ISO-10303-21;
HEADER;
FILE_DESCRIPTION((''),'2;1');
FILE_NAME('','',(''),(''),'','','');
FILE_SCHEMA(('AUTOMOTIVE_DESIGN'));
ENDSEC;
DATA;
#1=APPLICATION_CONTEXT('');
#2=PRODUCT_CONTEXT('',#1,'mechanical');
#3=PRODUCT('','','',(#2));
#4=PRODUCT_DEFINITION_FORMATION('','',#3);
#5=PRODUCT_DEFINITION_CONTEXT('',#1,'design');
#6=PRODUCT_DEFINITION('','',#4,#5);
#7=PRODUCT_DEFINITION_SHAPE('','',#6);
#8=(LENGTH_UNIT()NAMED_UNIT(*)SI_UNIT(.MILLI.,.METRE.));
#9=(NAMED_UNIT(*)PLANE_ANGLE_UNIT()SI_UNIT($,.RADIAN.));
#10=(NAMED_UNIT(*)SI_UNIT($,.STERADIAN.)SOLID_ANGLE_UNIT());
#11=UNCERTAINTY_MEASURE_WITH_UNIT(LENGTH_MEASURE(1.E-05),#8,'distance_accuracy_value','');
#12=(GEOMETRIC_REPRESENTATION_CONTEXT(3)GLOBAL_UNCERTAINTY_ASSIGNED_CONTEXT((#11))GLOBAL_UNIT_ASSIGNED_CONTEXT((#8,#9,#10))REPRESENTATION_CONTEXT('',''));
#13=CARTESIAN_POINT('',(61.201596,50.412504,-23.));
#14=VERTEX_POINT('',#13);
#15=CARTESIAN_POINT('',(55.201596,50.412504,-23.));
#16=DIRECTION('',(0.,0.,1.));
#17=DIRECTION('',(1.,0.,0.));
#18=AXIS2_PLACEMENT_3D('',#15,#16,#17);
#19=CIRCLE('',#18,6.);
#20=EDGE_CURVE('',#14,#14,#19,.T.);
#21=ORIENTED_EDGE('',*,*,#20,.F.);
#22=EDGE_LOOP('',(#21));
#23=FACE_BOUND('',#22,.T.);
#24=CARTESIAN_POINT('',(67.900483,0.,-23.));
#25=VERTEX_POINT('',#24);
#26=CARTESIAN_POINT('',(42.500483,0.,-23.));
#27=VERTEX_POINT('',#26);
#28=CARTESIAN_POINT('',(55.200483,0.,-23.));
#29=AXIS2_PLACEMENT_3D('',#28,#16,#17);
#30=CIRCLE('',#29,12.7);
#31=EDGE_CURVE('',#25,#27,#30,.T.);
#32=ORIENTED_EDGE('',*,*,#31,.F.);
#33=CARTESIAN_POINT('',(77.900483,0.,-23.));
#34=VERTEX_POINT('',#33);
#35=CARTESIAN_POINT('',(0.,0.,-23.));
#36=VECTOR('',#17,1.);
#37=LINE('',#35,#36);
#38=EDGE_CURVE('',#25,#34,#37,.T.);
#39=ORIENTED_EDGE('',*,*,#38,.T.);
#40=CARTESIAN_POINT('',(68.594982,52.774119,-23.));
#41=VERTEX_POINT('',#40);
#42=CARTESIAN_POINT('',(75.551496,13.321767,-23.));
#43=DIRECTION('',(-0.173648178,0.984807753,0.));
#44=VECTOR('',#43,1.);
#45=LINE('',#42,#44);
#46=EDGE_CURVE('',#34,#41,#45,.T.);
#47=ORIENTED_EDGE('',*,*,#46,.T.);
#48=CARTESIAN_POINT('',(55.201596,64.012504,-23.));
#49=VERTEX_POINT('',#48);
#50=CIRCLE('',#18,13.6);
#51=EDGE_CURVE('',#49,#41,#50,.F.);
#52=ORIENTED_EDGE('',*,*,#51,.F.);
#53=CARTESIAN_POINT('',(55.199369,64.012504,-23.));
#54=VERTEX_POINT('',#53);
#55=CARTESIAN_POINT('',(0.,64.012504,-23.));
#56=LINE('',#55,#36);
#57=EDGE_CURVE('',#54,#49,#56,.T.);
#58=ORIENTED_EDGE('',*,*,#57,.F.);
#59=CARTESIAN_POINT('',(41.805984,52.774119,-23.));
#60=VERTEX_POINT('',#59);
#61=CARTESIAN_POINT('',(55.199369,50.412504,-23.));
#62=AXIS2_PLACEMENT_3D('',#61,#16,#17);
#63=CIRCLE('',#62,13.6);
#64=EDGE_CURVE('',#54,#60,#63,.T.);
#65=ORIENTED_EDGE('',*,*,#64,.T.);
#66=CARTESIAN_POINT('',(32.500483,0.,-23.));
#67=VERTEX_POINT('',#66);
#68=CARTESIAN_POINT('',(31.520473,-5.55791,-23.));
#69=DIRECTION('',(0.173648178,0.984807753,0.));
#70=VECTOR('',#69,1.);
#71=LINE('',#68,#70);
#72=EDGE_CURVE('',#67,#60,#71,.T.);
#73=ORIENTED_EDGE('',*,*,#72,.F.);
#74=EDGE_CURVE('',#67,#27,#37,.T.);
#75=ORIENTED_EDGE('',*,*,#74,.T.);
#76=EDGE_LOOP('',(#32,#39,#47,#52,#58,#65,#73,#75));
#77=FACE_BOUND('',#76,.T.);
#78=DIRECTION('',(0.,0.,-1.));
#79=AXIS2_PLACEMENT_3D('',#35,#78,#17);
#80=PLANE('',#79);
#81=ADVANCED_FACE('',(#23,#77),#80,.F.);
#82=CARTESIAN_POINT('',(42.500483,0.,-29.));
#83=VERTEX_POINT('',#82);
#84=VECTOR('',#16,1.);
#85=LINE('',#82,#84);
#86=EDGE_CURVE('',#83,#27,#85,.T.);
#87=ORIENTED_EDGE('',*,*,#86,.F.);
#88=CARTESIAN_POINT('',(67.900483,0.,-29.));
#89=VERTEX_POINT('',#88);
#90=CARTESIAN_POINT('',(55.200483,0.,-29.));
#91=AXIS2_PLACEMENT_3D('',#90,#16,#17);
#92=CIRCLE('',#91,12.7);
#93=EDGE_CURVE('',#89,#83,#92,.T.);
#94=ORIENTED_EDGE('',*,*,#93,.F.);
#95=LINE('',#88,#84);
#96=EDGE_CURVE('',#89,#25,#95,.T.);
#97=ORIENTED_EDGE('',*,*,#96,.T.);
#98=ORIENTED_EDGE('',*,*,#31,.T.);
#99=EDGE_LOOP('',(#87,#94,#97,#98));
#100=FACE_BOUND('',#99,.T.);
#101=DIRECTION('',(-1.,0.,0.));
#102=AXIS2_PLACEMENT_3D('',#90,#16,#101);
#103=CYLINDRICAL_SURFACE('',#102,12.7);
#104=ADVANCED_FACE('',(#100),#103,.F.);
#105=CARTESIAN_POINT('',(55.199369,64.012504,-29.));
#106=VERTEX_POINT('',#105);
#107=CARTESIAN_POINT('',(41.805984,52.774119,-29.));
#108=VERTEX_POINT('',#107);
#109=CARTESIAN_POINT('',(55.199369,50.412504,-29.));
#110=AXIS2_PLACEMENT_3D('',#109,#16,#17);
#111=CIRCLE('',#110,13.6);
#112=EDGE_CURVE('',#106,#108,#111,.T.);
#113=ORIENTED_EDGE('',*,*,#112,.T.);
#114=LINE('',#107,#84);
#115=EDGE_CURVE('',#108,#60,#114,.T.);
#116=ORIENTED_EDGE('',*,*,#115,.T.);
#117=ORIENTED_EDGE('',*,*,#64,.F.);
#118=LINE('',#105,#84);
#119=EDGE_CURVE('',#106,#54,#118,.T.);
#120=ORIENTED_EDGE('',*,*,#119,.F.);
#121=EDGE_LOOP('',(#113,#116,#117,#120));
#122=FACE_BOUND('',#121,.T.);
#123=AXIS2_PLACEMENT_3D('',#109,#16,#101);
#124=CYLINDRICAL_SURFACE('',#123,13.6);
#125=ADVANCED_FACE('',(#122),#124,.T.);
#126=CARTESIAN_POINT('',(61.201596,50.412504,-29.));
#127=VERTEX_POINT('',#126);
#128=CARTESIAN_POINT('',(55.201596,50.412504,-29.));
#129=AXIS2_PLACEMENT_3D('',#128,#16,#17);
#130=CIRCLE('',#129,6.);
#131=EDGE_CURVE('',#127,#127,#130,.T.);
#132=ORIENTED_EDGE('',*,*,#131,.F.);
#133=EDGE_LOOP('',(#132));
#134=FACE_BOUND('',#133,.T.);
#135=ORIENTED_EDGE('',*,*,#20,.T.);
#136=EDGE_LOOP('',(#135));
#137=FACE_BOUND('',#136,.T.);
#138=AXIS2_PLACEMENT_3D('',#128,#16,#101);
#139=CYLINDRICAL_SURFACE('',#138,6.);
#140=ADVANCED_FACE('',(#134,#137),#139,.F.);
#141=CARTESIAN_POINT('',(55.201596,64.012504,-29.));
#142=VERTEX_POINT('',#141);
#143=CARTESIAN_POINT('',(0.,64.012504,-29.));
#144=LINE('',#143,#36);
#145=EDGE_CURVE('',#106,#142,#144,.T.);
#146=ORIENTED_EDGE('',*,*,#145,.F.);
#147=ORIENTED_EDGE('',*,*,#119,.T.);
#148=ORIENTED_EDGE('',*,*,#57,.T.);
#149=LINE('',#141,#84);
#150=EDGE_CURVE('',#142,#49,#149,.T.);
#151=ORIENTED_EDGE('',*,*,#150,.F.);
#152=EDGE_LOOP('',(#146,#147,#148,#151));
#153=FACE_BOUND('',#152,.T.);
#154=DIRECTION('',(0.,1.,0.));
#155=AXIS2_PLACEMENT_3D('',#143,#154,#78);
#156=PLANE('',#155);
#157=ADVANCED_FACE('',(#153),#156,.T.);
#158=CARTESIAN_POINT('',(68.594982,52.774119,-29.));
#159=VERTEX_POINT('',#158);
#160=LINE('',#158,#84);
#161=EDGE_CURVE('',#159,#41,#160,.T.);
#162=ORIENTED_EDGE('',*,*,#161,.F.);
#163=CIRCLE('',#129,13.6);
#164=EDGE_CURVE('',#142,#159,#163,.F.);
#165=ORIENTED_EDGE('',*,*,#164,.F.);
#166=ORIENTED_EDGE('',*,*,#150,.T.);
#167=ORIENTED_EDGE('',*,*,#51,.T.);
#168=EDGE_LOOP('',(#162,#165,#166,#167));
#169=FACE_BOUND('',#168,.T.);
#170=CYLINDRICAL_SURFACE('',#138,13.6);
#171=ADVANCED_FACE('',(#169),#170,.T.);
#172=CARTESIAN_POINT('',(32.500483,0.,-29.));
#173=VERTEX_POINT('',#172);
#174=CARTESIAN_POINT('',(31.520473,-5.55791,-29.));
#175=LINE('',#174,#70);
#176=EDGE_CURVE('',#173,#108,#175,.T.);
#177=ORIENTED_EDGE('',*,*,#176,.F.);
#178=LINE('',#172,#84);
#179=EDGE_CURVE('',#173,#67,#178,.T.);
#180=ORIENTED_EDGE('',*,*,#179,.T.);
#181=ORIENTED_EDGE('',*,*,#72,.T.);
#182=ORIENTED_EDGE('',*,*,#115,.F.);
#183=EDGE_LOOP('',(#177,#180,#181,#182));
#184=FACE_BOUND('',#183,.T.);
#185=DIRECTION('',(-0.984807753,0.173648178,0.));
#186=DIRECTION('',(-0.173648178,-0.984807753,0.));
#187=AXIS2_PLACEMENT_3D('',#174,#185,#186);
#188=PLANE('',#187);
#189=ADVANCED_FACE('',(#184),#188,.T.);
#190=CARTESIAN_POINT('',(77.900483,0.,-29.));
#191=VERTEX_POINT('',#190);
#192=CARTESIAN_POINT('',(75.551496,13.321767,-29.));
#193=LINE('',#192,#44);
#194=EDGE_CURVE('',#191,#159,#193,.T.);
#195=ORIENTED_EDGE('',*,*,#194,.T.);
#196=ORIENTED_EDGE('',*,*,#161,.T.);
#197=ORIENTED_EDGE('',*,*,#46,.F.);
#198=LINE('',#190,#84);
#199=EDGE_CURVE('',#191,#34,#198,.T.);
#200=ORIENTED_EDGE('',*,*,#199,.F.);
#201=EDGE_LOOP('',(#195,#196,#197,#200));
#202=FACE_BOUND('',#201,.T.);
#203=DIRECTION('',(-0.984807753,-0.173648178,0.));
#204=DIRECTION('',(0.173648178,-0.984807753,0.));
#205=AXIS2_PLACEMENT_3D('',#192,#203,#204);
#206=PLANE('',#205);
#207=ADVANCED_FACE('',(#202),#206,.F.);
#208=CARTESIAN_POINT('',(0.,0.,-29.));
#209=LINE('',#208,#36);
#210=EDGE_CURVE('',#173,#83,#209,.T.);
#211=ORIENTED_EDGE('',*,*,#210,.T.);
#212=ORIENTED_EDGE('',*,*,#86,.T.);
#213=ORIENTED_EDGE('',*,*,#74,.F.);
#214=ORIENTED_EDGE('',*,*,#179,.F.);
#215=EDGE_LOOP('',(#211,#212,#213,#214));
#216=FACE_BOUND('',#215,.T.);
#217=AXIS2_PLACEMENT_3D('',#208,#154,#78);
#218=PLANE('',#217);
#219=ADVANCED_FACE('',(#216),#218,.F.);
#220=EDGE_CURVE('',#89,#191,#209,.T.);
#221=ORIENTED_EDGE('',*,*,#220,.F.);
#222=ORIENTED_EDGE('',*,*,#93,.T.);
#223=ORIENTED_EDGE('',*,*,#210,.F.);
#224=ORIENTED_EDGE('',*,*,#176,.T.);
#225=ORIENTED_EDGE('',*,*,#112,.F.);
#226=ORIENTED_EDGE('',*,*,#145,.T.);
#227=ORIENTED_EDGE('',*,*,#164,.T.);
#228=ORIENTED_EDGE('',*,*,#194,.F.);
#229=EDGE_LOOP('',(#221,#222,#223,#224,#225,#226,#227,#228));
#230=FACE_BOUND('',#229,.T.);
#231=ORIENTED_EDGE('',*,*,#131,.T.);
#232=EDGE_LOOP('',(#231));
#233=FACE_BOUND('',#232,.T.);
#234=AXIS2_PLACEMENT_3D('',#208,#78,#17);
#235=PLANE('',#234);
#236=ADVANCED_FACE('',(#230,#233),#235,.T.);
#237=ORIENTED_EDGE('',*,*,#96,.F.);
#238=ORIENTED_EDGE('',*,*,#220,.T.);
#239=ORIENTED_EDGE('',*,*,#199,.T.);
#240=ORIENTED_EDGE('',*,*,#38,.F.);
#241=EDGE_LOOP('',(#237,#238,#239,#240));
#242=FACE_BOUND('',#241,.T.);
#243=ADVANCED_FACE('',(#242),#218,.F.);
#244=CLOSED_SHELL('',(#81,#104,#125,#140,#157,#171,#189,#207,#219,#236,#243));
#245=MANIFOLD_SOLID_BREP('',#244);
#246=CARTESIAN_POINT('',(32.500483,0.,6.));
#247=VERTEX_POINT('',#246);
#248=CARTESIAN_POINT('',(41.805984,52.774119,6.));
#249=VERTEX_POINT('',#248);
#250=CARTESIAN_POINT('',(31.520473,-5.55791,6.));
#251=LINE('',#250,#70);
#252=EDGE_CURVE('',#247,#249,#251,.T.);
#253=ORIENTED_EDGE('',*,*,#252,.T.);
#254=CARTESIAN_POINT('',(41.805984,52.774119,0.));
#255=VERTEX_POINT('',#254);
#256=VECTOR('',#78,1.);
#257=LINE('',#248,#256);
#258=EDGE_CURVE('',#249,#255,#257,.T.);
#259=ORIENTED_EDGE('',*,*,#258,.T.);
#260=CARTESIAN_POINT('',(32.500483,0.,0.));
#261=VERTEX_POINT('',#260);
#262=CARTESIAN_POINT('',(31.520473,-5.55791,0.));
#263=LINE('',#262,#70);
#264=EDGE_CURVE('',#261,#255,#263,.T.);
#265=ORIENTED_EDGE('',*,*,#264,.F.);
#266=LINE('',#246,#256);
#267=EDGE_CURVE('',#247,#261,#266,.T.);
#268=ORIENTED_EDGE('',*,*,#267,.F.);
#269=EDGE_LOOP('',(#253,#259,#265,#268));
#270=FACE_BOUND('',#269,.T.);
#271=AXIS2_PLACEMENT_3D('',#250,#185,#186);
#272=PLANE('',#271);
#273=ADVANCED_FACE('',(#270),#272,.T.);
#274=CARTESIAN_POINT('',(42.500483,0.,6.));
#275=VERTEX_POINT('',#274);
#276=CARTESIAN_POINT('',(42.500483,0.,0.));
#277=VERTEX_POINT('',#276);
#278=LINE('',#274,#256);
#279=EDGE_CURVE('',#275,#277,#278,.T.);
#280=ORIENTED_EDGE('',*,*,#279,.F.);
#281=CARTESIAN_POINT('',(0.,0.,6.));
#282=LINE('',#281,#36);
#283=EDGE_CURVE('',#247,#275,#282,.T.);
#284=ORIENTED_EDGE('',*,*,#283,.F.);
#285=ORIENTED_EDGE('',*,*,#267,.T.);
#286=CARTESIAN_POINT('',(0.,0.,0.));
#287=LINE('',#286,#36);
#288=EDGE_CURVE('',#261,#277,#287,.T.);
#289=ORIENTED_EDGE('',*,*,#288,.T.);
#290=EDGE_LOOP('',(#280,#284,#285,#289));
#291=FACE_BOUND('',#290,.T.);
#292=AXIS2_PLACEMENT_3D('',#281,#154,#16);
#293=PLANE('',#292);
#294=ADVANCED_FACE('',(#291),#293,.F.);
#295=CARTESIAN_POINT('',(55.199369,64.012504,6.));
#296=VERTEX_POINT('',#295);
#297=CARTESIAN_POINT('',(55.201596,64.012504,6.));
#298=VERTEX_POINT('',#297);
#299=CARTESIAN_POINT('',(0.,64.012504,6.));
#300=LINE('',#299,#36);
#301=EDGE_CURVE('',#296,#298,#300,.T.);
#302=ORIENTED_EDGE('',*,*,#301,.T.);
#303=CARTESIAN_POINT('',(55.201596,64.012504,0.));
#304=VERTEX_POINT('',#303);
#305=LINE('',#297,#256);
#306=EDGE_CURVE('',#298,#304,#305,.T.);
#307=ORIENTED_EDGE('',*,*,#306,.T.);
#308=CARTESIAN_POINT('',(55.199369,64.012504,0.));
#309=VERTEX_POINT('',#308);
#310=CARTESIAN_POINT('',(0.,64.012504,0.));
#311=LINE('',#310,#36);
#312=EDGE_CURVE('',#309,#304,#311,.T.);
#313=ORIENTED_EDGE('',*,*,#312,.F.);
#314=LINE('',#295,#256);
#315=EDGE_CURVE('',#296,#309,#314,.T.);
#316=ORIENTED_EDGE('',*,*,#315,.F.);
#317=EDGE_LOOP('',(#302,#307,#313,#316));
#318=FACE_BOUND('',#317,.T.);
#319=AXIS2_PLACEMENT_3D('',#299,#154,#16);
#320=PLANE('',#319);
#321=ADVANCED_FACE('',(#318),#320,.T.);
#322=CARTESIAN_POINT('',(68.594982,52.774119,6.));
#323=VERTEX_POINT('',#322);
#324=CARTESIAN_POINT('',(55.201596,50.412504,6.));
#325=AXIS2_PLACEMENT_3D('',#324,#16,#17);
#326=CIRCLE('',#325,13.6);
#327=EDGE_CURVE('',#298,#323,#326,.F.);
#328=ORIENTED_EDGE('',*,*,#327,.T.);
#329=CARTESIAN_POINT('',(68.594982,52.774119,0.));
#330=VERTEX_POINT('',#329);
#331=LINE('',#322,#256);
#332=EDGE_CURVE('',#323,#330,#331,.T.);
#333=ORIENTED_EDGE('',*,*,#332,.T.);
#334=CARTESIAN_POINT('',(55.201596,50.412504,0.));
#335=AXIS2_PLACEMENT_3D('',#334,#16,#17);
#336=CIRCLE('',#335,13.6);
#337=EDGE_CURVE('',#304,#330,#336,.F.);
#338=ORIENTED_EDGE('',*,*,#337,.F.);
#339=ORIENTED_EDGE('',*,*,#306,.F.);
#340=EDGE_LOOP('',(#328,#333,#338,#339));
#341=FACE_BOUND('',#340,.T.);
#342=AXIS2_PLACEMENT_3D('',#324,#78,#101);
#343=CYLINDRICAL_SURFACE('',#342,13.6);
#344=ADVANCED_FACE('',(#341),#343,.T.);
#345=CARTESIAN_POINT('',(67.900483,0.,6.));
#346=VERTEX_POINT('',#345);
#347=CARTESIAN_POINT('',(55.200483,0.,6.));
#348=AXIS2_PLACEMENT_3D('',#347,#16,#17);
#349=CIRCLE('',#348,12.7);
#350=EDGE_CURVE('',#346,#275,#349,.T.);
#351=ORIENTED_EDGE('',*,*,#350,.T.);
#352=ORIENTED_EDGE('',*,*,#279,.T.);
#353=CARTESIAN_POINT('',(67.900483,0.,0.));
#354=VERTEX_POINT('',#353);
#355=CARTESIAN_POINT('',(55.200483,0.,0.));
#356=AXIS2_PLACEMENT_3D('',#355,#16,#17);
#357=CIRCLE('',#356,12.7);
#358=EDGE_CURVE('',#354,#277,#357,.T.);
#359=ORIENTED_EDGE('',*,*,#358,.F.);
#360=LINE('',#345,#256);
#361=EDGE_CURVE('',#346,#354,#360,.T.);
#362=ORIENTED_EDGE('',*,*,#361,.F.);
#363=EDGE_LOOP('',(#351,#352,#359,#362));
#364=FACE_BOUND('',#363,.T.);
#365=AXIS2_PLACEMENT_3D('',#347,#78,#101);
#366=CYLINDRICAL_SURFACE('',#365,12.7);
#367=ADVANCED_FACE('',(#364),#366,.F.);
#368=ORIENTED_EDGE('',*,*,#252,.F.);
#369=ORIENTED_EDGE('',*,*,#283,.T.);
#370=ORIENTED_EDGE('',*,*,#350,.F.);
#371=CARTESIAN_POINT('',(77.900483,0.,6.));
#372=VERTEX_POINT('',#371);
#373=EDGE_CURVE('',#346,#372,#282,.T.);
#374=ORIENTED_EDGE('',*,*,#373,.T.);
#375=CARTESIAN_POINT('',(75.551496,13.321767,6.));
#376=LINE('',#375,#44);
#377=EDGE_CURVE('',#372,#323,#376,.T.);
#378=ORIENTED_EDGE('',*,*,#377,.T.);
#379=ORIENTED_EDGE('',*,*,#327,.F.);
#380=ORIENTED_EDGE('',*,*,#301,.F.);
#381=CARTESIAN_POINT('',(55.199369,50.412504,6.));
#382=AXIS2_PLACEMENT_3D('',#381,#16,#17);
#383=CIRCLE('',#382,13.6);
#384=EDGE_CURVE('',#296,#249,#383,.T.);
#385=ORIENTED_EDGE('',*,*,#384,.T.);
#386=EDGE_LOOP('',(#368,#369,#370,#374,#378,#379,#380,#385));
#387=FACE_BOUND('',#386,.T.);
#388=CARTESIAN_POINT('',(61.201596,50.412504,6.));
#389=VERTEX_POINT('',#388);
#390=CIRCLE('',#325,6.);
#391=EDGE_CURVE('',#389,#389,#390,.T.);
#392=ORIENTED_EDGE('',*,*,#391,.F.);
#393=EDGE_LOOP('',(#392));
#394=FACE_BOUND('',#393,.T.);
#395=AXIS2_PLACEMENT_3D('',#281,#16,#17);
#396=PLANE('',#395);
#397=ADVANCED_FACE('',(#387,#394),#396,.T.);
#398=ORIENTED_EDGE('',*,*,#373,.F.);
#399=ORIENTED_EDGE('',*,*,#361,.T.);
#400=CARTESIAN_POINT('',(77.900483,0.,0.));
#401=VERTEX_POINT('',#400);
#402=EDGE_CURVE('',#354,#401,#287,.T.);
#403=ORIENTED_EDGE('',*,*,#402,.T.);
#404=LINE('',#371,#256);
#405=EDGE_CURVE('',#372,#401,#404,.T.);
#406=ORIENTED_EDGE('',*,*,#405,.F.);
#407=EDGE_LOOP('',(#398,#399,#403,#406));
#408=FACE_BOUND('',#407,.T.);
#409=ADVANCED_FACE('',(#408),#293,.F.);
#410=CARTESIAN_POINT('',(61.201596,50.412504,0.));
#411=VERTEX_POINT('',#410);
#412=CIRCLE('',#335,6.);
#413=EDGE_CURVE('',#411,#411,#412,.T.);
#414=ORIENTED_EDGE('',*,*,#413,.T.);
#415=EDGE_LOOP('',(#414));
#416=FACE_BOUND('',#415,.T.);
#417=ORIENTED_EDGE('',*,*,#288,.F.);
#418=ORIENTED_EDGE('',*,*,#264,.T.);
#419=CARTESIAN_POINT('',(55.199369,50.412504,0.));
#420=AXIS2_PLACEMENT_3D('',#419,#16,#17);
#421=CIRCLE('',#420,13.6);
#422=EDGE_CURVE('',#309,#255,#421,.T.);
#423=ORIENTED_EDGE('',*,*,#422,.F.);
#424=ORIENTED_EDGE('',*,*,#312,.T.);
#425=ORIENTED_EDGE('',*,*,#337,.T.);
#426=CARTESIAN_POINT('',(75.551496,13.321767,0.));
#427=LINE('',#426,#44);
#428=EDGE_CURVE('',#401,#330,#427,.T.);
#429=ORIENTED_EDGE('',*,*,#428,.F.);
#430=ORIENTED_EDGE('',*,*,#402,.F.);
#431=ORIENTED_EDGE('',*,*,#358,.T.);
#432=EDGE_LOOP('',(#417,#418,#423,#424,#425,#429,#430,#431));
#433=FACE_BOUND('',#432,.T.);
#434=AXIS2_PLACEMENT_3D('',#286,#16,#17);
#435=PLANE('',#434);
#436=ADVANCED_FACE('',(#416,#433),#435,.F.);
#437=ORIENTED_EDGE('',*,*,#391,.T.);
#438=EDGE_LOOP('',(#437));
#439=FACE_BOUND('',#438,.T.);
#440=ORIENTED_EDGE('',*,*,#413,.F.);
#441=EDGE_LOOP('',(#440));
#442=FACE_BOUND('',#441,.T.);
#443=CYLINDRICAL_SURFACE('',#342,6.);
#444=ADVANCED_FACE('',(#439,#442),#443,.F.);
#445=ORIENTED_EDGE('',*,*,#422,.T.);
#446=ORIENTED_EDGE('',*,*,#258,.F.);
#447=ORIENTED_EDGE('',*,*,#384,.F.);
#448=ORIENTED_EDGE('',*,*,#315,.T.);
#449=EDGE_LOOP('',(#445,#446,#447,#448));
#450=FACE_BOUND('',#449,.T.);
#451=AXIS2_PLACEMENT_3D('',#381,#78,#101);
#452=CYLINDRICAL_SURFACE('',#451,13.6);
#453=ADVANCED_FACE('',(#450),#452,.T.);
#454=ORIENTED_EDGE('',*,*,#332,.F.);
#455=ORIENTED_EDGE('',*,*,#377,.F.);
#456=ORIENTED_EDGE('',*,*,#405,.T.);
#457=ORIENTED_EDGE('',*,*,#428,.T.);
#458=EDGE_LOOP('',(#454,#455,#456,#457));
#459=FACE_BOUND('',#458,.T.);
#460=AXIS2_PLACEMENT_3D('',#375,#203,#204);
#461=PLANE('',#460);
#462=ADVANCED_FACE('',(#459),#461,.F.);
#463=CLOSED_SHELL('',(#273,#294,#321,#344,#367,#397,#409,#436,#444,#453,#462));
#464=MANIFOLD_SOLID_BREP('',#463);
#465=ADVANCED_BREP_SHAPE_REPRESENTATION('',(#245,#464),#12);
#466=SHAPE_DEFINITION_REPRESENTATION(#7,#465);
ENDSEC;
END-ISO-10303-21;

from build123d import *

# Parameters (mm, degrees)
SKETCH2_R           = 6
BOSS_EXTRUDE1_DEPTH = 6


with BuildPart() as part:
    # Sketch2 → Boss-Extrude1 (new body)
    with BuildSketch(Plane.XY):
        with BuildLine():
            Line((41.80598397, 52.774119162), (32.500482879, 0))
            Line((32.500482879, 0), (42.500482879, 0))
            ThreePointArc((42.500482879, 0), (55.200482879, 12.7), (67.900482879, 0))
            Line((67.900482879, 0), (77.900482879, 0))
            Line((77.900482879, 0), (68.594981787, 52.774119162))
            ThreePointArc((68.594981787, 52.774119162), (63.943507838, 60.830708372), (55.201596346, 64.012503946))
            Line((55.201596346, 64.012503946), (55.199369411, 64.012503946))
            ThreePointArc((55.199369411, 64.012503946), (46.457457919, 60.830708372), (41.80598397, 52.774119162))
        make_face()
        with Locations((55.201596346, 50.412503946)):
            Circle(SKETCH2_R, mode=Mode.SUBTRACT)
    extrude(amount=BOSS_EXTRUDE1_DEPTH)


with BuildPart() as body_2:
    # Mirror2: mirrored copy
    add(part.part.mirror(Plane(origin=(0, 0, -11.5), x_dir=(1, 0, 0), z_dir=(0, 0, -1))))


solid = Compound([part.part, body_2.part])
